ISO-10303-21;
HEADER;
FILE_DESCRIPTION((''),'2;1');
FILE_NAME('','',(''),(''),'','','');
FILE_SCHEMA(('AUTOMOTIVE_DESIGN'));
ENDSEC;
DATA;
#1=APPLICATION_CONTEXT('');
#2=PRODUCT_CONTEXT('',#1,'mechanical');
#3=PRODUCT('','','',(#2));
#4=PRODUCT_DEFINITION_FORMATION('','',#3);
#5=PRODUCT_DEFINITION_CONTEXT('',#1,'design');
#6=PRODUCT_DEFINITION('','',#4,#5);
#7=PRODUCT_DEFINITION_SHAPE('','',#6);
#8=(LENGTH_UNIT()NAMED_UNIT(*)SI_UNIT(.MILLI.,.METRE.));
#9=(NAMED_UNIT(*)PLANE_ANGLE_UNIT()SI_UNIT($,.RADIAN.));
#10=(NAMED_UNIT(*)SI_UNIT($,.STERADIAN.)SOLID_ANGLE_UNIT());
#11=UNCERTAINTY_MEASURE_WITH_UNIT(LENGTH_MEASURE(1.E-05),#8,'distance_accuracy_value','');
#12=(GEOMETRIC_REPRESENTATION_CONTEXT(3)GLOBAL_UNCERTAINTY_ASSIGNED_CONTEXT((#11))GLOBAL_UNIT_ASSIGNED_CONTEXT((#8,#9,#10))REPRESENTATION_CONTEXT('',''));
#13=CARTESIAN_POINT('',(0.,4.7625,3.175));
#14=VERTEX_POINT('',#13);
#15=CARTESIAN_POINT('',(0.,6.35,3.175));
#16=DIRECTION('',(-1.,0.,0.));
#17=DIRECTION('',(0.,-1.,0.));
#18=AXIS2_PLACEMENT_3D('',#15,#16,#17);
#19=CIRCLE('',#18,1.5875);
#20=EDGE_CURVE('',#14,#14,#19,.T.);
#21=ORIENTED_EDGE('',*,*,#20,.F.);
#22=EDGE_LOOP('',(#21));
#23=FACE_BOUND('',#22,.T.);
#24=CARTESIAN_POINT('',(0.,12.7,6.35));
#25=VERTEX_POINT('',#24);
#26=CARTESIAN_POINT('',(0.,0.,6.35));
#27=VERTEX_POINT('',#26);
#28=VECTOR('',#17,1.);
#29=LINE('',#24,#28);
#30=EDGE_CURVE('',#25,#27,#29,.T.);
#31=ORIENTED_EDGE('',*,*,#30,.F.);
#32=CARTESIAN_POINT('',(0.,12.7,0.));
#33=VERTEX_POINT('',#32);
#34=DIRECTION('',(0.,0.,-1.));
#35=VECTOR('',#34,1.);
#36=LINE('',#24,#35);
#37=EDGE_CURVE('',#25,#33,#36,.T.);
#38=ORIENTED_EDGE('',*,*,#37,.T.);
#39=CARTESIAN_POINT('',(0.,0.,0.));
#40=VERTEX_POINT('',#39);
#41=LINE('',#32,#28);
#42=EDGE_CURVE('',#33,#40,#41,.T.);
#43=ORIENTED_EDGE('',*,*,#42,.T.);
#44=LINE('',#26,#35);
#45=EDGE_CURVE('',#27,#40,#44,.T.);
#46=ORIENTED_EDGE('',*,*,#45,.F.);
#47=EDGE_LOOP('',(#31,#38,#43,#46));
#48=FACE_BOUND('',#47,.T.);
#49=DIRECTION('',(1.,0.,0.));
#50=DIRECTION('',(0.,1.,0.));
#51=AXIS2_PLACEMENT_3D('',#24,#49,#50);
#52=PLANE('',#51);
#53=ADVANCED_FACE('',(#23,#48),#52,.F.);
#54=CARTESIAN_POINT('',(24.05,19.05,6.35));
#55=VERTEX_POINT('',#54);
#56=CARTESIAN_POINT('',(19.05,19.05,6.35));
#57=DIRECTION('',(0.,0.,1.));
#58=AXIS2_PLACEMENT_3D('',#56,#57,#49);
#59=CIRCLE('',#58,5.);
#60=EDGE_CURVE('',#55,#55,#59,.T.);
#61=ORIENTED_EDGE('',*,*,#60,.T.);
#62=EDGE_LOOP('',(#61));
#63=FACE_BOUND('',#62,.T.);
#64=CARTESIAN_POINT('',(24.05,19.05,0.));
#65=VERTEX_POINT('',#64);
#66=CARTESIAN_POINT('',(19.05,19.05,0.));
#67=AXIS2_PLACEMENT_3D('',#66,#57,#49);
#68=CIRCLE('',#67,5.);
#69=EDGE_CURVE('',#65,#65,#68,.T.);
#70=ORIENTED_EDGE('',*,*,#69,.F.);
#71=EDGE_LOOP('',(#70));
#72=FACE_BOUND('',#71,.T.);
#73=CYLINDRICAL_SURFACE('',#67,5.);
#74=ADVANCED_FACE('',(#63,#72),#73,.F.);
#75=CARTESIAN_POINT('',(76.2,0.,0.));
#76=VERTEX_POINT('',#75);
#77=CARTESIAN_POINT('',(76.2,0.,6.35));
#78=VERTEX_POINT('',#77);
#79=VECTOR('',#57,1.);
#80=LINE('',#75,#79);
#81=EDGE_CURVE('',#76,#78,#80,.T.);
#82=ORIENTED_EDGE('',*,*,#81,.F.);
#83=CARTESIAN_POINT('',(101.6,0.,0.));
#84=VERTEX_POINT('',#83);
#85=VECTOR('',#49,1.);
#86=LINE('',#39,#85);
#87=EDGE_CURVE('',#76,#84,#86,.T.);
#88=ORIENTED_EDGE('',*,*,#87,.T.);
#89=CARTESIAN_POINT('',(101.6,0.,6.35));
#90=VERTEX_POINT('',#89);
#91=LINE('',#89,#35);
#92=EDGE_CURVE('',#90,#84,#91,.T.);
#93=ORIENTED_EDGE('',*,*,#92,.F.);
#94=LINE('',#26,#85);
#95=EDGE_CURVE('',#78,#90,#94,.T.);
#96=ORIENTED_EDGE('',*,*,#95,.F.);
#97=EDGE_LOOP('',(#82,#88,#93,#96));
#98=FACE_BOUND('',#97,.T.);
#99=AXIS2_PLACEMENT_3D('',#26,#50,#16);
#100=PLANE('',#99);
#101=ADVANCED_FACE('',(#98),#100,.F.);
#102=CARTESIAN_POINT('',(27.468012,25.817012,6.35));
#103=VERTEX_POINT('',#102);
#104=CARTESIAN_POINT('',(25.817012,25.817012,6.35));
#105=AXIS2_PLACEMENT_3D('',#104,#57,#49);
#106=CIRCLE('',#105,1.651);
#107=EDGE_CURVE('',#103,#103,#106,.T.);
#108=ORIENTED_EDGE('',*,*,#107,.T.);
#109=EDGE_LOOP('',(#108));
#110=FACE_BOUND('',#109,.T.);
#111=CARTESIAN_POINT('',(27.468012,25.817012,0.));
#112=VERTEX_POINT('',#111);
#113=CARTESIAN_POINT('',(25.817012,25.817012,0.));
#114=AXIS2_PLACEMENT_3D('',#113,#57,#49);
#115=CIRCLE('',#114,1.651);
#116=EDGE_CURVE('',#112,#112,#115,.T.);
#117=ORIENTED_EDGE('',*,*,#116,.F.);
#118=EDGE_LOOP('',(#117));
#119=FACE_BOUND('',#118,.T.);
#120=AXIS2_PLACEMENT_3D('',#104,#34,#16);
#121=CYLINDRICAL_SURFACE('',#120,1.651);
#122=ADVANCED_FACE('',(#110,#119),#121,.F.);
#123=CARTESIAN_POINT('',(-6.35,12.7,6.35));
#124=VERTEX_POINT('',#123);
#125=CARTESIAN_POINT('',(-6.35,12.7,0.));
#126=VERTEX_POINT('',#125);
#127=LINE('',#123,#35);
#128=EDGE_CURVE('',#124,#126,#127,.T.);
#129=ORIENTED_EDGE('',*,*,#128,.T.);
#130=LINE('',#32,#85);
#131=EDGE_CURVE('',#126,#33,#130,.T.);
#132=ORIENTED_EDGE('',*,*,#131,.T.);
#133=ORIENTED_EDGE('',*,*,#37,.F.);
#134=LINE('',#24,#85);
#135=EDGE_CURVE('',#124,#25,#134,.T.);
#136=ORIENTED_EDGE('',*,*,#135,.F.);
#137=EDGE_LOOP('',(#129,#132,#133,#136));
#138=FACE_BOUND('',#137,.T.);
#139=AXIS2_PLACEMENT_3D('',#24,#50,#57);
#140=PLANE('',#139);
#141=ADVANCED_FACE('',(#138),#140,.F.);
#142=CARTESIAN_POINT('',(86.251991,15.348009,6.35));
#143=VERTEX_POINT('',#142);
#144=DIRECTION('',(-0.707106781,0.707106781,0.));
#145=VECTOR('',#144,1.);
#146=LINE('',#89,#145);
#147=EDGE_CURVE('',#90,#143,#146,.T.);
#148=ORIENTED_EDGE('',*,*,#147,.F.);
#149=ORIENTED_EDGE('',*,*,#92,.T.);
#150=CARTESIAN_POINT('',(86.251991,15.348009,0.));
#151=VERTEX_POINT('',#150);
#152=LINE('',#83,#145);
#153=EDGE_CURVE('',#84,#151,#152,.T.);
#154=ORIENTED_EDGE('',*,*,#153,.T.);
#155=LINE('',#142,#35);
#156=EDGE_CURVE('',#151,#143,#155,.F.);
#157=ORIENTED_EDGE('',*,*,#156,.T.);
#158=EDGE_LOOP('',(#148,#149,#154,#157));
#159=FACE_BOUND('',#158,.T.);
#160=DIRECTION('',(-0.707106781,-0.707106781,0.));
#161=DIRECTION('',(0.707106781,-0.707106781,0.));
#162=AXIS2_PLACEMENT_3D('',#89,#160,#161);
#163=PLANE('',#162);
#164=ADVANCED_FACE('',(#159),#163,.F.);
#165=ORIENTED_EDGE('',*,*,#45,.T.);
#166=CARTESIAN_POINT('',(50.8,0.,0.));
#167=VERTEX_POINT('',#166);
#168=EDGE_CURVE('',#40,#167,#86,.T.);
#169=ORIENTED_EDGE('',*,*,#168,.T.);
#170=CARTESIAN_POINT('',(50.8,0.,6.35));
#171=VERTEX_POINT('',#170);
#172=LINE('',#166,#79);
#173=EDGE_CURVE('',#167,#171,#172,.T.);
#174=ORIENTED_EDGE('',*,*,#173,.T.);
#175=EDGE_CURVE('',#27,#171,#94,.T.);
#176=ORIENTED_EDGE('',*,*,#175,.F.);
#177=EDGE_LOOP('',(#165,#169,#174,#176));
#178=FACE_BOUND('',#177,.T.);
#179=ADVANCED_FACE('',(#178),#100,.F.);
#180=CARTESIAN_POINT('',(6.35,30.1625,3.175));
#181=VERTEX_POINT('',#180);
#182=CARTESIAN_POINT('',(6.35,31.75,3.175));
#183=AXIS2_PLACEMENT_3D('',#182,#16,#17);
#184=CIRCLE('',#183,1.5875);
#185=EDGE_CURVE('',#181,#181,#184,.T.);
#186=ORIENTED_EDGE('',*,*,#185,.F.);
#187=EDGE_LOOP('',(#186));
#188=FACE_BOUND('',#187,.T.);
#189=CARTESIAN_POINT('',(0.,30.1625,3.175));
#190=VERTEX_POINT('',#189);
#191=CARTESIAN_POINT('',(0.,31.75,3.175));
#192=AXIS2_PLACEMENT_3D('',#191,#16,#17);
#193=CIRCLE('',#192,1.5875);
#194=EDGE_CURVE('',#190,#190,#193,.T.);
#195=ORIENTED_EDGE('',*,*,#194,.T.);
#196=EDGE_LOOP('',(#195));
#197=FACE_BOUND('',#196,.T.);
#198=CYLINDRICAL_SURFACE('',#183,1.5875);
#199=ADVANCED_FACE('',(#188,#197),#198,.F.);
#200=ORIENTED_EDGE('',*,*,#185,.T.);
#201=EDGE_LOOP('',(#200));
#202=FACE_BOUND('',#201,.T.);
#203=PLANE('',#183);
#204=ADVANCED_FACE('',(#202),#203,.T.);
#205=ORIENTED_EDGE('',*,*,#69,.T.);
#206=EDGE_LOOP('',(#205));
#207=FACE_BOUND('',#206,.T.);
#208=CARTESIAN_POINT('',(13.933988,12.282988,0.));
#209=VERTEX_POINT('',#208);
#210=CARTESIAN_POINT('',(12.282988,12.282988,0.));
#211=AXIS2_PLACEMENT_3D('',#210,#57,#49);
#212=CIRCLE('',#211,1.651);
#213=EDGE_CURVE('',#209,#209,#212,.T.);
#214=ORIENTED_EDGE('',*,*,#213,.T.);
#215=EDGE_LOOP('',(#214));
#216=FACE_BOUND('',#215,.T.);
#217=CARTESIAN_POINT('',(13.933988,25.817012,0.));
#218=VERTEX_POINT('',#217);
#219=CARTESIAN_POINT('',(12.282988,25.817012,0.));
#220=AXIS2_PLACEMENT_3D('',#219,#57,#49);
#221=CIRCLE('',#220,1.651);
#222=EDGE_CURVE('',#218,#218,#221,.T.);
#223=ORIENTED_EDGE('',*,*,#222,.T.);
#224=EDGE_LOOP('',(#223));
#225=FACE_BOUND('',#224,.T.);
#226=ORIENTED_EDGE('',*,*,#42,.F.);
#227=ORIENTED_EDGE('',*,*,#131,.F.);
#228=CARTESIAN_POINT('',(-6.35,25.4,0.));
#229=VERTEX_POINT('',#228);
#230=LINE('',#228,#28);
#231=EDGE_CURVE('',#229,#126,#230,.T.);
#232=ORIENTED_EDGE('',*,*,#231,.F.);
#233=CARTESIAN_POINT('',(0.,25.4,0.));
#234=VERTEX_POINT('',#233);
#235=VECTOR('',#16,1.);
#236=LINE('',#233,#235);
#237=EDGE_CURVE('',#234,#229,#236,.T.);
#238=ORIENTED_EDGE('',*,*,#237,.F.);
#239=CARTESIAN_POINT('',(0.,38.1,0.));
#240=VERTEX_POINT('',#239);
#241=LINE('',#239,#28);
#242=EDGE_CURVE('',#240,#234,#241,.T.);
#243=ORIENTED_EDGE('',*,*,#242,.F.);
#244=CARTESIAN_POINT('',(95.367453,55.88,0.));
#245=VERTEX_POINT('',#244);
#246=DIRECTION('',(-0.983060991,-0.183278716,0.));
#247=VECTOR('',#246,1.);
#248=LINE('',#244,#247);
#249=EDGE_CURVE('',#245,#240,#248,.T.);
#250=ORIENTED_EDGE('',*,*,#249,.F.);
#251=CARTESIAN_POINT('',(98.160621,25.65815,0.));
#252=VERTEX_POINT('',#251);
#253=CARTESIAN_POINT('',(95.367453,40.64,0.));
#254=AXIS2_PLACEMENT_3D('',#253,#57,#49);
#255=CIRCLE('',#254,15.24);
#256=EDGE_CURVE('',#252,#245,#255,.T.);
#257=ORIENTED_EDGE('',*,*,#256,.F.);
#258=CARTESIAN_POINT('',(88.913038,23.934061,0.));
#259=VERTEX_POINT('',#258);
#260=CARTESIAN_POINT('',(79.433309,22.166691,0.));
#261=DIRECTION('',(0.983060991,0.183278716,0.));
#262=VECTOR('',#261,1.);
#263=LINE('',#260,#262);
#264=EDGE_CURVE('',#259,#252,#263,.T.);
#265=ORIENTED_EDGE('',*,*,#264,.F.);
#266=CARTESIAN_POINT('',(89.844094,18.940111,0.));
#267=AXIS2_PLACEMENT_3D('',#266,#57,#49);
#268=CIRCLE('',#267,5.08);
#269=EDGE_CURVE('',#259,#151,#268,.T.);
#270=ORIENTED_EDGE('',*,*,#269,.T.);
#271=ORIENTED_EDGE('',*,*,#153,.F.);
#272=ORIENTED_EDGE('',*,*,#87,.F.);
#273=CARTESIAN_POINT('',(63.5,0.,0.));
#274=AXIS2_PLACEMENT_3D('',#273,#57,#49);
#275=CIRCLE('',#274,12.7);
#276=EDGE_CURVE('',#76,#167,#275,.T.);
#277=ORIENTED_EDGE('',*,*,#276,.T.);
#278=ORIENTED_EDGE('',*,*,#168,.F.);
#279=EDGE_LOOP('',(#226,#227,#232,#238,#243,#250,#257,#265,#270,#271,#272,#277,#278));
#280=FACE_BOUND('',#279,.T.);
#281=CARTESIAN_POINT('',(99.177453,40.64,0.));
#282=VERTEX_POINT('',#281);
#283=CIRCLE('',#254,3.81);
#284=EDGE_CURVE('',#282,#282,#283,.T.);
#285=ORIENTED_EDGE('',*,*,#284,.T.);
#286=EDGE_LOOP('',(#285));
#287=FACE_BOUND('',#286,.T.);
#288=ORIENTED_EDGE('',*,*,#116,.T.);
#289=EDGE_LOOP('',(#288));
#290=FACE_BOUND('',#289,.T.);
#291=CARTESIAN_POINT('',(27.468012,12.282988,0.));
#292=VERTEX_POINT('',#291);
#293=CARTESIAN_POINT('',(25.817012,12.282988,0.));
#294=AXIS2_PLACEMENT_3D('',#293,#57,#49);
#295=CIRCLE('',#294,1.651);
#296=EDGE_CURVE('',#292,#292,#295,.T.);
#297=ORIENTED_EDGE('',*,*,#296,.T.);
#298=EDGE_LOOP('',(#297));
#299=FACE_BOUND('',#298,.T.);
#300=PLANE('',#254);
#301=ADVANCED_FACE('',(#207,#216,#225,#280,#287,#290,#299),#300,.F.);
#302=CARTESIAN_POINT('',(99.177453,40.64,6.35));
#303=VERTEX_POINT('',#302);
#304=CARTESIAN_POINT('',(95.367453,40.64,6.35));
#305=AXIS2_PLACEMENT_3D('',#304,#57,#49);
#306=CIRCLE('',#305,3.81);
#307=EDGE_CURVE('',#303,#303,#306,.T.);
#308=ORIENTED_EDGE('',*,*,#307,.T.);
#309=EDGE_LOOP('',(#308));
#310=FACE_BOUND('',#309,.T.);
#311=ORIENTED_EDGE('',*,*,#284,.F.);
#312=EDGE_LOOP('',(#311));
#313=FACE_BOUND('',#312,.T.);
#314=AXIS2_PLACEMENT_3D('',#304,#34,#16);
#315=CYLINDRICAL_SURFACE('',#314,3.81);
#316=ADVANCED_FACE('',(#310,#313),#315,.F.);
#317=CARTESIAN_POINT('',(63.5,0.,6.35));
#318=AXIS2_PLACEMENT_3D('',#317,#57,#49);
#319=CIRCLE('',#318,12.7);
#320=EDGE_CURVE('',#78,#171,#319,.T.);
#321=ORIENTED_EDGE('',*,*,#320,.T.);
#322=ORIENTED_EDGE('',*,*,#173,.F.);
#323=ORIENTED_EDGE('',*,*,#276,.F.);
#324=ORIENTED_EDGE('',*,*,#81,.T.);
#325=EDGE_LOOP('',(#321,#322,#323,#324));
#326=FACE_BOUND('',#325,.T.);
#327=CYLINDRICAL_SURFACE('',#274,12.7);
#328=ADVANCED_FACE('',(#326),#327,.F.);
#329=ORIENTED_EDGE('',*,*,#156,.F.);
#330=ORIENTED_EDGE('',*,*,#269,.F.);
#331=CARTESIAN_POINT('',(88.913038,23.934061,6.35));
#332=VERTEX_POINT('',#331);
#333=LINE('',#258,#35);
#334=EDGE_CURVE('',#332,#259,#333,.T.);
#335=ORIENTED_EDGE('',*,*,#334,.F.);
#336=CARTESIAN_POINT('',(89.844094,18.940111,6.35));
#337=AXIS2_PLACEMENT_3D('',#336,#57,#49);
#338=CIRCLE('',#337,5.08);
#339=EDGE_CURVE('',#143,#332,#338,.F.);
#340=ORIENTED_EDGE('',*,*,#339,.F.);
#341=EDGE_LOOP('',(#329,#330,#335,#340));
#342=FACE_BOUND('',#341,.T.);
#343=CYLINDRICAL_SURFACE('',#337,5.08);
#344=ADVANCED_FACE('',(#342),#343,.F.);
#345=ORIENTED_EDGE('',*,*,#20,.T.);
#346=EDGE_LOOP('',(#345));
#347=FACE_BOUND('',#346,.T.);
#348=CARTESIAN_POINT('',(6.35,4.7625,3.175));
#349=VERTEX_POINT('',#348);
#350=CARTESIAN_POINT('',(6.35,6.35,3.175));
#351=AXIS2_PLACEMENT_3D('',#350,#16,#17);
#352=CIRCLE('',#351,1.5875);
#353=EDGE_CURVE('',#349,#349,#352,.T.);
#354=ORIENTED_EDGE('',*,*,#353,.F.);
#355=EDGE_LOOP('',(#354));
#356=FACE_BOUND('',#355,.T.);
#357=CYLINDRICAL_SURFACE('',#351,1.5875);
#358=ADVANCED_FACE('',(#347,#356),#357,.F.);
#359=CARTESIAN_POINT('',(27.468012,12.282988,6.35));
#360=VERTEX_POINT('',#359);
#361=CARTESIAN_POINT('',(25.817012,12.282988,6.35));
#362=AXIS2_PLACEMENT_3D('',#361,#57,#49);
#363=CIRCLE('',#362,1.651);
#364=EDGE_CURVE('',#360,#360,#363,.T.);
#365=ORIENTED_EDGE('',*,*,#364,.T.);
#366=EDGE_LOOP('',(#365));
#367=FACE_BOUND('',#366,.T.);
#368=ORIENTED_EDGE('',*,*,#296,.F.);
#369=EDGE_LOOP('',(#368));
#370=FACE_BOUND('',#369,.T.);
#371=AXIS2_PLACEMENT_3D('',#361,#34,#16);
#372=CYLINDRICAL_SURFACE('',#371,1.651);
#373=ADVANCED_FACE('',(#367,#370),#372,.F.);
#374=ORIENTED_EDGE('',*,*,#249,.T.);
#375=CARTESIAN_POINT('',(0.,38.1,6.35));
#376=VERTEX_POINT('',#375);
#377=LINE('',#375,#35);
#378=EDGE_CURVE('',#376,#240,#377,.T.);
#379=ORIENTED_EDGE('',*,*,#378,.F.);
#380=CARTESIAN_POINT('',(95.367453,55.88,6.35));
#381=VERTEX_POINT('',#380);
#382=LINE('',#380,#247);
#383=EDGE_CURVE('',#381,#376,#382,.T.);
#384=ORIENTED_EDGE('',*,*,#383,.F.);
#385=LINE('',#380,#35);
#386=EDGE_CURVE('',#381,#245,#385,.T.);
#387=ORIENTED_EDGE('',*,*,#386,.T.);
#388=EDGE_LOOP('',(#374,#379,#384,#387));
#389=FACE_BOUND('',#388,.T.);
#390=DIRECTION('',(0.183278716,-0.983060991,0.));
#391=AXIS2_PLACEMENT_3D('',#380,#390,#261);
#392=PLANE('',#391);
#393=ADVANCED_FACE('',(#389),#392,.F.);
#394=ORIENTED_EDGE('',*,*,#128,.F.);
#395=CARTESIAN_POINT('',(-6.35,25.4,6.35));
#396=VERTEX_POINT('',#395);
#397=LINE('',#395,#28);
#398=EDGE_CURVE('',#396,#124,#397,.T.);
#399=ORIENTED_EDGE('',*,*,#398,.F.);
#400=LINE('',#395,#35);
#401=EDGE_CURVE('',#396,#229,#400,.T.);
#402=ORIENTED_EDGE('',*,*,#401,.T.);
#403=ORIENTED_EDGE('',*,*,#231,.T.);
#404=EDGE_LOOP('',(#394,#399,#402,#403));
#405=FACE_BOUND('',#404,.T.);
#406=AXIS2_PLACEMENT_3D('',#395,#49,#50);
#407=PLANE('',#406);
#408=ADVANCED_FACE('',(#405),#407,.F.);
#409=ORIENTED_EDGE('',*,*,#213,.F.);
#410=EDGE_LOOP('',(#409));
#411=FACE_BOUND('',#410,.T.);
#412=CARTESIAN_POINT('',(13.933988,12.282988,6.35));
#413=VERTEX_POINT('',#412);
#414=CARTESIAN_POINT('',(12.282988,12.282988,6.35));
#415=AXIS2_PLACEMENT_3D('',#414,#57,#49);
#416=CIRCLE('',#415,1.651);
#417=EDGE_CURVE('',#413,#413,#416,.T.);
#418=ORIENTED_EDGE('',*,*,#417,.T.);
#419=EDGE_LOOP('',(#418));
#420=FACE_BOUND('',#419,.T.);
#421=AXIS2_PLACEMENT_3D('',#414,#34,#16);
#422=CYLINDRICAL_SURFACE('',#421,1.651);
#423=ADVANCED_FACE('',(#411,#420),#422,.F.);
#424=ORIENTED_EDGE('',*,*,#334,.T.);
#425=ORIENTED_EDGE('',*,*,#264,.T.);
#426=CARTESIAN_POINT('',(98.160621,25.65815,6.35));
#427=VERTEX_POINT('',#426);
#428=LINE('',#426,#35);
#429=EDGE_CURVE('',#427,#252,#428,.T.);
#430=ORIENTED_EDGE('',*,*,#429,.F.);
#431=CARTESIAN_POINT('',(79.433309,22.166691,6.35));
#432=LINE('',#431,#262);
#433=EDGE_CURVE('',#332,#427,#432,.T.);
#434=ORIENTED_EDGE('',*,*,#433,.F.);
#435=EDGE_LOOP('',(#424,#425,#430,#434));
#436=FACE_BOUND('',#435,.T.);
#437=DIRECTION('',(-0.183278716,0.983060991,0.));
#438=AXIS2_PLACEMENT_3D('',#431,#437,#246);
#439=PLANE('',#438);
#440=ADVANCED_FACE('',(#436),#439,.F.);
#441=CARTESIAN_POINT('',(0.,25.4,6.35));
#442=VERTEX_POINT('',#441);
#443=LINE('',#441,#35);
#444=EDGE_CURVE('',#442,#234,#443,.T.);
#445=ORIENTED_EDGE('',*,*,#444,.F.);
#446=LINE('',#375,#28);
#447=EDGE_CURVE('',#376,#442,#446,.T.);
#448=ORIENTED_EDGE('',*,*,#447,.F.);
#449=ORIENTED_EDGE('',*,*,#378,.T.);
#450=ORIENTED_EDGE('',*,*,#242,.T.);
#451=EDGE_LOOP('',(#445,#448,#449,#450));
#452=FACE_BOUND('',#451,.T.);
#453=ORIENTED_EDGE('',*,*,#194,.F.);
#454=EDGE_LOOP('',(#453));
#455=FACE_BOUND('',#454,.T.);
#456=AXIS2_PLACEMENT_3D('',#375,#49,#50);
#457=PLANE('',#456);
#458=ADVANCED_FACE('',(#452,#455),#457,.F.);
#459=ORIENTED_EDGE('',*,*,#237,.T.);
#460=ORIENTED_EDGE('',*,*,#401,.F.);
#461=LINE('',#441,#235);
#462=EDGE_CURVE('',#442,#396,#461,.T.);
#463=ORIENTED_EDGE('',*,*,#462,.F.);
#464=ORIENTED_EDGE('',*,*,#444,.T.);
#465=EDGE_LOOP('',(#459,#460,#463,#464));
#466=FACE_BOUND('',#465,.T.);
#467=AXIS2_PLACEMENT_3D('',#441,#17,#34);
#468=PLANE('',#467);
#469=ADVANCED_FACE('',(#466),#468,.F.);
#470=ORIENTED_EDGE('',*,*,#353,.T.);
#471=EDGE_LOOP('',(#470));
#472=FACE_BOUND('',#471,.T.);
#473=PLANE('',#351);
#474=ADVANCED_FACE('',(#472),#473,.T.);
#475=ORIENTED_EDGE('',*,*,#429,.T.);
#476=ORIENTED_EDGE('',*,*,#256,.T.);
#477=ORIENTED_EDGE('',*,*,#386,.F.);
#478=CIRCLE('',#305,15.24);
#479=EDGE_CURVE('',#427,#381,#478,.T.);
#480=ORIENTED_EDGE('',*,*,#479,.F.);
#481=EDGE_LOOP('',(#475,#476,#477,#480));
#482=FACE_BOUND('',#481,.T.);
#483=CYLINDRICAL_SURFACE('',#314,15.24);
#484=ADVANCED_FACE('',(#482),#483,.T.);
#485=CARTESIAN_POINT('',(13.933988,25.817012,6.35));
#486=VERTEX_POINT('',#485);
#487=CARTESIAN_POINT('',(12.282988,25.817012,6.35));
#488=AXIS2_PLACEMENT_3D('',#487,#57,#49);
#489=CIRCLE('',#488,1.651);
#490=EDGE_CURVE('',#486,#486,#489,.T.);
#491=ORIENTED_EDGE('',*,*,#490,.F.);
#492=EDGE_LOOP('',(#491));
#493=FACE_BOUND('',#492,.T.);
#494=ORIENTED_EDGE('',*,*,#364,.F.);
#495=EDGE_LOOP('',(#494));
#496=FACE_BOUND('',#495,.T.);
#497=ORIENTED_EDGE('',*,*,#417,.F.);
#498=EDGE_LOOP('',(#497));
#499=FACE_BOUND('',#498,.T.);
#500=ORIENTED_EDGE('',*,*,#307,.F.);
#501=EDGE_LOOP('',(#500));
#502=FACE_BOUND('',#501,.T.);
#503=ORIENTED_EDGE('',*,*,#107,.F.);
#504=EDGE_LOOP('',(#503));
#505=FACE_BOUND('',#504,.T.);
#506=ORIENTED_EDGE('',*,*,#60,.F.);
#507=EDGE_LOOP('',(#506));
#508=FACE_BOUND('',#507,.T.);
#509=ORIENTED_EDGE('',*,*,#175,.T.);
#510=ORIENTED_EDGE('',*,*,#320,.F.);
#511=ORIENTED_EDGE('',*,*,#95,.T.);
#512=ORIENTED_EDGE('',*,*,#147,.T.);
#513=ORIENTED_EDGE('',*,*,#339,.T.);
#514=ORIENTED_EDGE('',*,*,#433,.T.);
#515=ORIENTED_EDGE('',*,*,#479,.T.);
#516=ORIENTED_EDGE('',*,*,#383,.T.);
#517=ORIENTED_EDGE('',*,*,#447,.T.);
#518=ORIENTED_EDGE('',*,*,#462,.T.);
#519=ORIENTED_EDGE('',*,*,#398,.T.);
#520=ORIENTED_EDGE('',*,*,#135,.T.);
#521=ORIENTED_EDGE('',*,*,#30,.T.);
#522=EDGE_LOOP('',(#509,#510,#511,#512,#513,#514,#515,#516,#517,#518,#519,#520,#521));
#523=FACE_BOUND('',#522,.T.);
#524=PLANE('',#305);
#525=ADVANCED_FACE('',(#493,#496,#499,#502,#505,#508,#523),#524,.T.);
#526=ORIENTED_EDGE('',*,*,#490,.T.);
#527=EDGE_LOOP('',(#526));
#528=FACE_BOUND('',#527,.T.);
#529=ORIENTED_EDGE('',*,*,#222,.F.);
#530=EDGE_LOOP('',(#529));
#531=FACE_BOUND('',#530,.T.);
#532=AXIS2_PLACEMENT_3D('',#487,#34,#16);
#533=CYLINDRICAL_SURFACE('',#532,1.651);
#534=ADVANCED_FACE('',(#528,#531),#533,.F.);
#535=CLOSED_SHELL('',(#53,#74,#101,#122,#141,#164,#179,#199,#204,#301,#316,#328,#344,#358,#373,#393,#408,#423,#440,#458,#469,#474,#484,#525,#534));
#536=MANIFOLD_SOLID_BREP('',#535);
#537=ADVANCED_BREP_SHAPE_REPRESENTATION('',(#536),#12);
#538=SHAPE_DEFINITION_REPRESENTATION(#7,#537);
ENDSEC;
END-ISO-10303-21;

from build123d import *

# Parameters (mm, degrees)
SKETCH1_R           = 3.81
SKETCH1_R_2         = 1.651
BOSS_EXTRUDE1_DEPTH = 6.35
FILLET2_R           = 5.08
SKETCH3_R           = 1.5875
CUT_EXTRUDE1_DEPTH  = 6.35
CUT_EXTRUDE2_DEPTH  = 6.35
SKETCH7_R           = 5.000000033
CUT_EXTRUDE3_DEPTH  = 125.084268237


with BuildPart() as part:
    # Sketch1 → Boss-Extrude1 (new body)
    with BuildSketch(Plane.XY):
        with BuildLine():
            Line((0, 0), (101.6, 0))
            Line((101.6, 0), (79.43330905, 22.16669095))
            Line((79.43330905, 22.16669095), (98.16062093, 25.658150496))
            ThreePointArc((98.16062093, 25.658150496), (110.542778436, 42.04253584), (95.367453293, 55.88))
            Line((95.367453293, 55.88), (0, 38.1))
            Line((0, 38.1), (0, 25.4))
            Line((0, 25.4), (-6.35, 25.4))
            Line((-6.35, 25.4), (-6.35, 12.7))
            Line((-6.35, 12.7), (0, 12.7))
            Line((0, 12.7), (0, 0))
        make_face()
        with Locations((95.367453293, 40.64)):
            Circle(SKETCH1_R, mode=Mode.SUBTRACT)
        with Locations((25.817011896, 25.817011896)):
            Circle(SKETCH1_R_2, mode=Mode.SUBTRACT)
        with Locations((25.817011896, 12.282988104)):
            Circle(SKETCH1_R_2, mode=Mode.SUBTRACT)
        with Locations((12.282988104, 12.282988104)):
            Circle(SKETCH1_R_2, mode=Mode.SUBTRACT)
        with Locations((12.282988104, 25.817011896)):
            Circle(SKETCH1_R_2, mode=Mode.SUBTRACT)
    extrude(amount=BOSS_EXTRUDE1_DEPTH)

    # Fillet2
    fillet2_edges = [part.edges().sort_by_distance(p)[0] for p in [
        (79.43330905, 22.16669095, 3.175),
    ]]
    fillet(fillet2_edges, radius=FILLET2_R)

    # Sketch3 → Cut-Extrude1 (cut)
    with BuildSketch(Plane.ZY):
        with Locations(Location((3.175, 31.75, 0), (0, 0, 270))):
            Circle(SKETCH3_R)
        with Locations(Location((3.175, 6.35, 0), (0, 0, 270))):
            Circle(SKETCH3_R)
    extrude(amount=-CUT_EXTRUDE1_DEPTH, mode=Mode.SUBTRACT)

    # Sketch6 → Cut-Extrude2 (cut)
    with BuildSketch(Plane.XY.offset(6.35)):
        with BuildLine():
            Line((50.8, 0), (76.2, 0))
            ThreePointArc((76.2, 0), (63.5, 12.7), (50.8, 0))
        make_face()
    extrude(amount=-CUT_EXTRUDE2_DEPTH, mode=Mode.SUBTRACT)

    # Sketch7 → Cut-Extrude3 (cut, through all)
    with BuildSketch(Plane.XY.offset(6.35)):
        with Locations((19.05, 19.05)):
            Circle(SKETCH7_R)
    extrude(amount=-CUT_EXTRUDE3_DEPTH, mode=Mode.SUBTRACT)


solid = part.part
